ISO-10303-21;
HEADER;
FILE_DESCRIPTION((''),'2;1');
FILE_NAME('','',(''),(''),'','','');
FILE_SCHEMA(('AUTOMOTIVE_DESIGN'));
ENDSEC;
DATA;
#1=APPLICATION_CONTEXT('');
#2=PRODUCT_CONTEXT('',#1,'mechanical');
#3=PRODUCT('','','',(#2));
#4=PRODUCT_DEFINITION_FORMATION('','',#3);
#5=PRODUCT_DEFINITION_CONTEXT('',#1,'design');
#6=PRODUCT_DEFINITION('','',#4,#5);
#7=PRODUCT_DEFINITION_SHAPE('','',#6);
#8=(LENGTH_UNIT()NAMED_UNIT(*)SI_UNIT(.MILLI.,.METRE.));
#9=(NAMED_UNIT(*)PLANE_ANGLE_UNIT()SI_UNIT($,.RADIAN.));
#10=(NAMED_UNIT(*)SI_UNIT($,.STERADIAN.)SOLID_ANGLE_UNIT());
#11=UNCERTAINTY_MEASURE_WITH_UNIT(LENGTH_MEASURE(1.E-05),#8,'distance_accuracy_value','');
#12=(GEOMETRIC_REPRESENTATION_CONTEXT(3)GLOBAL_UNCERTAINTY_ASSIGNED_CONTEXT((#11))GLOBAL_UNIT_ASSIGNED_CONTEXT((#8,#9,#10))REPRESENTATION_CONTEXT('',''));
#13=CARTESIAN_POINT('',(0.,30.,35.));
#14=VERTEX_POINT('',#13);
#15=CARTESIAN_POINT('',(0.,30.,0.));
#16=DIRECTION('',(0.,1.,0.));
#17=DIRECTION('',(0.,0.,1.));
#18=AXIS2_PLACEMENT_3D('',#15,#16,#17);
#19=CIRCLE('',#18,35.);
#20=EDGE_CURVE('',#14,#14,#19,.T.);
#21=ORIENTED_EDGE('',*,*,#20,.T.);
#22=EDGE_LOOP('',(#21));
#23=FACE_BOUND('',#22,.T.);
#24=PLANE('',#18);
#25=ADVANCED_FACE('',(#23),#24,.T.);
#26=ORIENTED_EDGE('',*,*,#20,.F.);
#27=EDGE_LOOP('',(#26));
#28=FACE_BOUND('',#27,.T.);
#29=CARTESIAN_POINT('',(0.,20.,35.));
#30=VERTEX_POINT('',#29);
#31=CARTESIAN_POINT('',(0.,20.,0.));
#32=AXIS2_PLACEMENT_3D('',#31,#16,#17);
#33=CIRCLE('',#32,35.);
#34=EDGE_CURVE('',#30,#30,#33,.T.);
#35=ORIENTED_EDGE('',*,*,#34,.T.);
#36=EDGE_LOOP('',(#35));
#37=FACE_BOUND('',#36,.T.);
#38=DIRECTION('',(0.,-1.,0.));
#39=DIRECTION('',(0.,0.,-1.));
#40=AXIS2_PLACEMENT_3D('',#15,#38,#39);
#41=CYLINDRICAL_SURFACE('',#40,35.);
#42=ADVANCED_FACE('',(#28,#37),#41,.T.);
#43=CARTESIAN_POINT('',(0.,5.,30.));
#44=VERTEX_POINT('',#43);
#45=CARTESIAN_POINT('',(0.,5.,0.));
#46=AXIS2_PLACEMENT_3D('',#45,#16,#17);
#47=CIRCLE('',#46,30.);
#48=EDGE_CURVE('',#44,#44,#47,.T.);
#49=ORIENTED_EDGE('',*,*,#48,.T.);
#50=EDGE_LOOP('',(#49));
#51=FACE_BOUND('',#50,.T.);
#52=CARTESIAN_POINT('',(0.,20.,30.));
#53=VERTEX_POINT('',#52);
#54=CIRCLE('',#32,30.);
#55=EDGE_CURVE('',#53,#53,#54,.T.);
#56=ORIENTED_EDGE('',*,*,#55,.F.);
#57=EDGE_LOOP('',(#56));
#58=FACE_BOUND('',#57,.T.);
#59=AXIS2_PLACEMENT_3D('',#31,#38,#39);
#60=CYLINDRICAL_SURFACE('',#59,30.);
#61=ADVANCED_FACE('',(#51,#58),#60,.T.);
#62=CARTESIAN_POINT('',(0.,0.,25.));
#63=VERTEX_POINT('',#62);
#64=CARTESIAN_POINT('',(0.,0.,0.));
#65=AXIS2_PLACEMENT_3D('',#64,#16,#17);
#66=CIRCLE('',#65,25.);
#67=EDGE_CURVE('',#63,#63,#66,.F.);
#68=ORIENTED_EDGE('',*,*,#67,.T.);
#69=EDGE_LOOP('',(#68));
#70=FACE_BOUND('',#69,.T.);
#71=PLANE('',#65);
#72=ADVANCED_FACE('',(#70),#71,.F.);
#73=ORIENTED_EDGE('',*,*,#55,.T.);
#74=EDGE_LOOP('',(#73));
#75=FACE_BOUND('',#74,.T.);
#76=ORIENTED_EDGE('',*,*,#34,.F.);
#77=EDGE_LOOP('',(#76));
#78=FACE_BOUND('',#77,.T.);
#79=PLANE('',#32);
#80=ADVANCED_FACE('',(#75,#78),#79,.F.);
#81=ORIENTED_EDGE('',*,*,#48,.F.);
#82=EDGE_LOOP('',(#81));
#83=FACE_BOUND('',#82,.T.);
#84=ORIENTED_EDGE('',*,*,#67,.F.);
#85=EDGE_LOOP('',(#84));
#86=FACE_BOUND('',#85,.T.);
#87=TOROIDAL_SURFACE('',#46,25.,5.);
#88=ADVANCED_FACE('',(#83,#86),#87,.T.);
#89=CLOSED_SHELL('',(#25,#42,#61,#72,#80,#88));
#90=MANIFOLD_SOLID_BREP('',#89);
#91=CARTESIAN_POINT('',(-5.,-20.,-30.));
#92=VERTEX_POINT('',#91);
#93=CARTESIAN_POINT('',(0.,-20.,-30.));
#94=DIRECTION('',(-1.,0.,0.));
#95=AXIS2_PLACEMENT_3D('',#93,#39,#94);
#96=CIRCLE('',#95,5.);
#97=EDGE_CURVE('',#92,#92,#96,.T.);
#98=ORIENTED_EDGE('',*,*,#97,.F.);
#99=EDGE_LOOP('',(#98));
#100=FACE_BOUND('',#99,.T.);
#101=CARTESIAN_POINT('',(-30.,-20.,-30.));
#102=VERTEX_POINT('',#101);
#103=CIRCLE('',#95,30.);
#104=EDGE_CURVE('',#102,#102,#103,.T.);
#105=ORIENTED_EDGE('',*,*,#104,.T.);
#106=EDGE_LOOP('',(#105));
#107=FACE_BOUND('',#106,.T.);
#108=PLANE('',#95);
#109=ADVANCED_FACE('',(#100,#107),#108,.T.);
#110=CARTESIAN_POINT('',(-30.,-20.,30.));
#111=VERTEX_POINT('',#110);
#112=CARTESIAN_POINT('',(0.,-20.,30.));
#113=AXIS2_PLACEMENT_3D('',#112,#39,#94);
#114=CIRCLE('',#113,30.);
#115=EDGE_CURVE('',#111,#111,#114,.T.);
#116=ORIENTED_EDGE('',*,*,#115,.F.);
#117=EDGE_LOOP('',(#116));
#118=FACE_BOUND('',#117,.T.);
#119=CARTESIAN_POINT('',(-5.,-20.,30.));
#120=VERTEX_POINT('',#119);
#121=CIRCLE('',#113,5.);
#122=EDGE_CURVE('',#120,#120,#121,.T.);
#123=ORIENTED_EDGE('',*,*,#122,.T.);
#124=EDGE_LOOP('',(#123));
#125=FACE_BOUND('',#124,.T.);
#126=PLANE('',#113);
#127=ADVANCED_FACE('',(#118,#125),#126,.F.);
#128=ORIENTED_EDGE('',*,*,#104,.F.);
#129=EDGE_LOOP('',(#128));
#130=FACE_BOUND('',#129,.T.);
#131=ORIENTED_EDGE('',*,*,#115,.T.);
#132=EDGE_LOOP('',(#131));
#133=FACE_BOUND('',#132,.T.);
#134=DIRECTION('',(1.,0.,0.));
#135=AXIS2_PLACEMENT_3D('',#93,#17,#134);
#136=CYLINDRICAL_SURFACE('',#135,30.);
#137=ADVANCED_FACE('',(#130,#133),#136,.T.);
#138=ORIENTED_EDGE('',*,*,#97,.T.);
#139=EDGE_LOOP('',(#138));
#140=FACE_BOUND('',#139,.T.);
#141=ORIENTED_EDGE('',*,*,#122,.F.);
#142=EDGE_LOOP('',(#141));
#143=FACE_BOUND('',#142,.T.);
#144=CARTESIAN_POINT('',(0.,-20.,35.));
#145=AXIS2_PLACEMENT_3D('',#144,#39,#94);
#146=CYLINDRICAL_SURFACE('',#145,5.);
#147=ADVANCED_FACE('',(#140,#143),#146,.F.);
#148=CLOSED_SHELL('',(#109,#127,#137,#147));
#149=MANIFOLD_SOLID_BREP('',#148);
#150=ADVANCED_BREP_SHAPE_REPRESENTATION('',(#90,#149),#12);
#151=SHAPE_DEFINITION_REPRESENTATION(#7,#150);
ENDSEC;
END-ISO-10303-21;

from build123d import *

# Parameters (mm, degrees)
SKETCH1_R           = 30
BOSS_EXTRUDE1_DEPTH = 20
SKETCH2_R           = 35
BOSS_EXTRUDE2_DEPTH = 10
SKETCH3_R           = 30
BOSS_EXTRUDE3_DEPTH = 30
SKETCH4_R           = 5
CUT_EXTRUDE1_DEPTH  = 90.162772501
RACCORDO1_R         = 5


with BuildPart() as part:
    # Sketch1 → Boss-Extrude1 (new body)
    with BuildSketch(Plane(origin=(0, 0, 0), x_dir=(1, 0, 0), z_dir=(0, 1, 0))):
        with Locations(Location((0, 0, 0), (0, 0, 270))):
            Circle(SKETCH1_R)
    extrude(amount=BOSS_EXTRUDE1_DEPTH)

    # Sketch2 → Boss-Extrude2 (add)
    with BuildSketch(Plane(origin=(0, 20, 0), x_dir=(1, 0, 0), z_dir=(0, 1, 0))):
        with Locations(Location((0, 0, 0), (0, 0, 270))):
            Circle(SKETCH2_R)
    extrude(amount=BOSS_EXTRUDE2_DEPTH)

    # Raccordo1
    raccordo1_edges = [part.edges().sort_by_distance(p)[0] for p in [
        (0, 0, -30),
    ]]
    fillet(raccordo1_edges, radius=RACCORDO1_R)


with BuildPart() as body_2:
    # Sketch3 → Boss-Extrude3 (new, symmetric)
    with BuildSketch(Plane(origin=(0, 0, 0), x_dir=(-1, 0, 0), z_dir=(0, 0, -1))):
        with Locations((0, -20)):
            Circle(SKETCH3_R)
    extrude(amount=BOSS_EXTRUDE3_DEPTH, both=True)

    # Sketch4 → Cut-Extrude1 (cut, through all)
    with BuildSketch(Plane(origin=(0, 0, -30), x_dir=(-1, 0, 0), z_dir=(0, 0, -1))):
        with Locations((0, -20)):
            Circle(SKETCH4_R)
    extrude(amount=-CUT_EXTRUDE1_DEPTH, mode=Mode.SUBTRACT)


solid = Compound([part.part, body_2.part])
